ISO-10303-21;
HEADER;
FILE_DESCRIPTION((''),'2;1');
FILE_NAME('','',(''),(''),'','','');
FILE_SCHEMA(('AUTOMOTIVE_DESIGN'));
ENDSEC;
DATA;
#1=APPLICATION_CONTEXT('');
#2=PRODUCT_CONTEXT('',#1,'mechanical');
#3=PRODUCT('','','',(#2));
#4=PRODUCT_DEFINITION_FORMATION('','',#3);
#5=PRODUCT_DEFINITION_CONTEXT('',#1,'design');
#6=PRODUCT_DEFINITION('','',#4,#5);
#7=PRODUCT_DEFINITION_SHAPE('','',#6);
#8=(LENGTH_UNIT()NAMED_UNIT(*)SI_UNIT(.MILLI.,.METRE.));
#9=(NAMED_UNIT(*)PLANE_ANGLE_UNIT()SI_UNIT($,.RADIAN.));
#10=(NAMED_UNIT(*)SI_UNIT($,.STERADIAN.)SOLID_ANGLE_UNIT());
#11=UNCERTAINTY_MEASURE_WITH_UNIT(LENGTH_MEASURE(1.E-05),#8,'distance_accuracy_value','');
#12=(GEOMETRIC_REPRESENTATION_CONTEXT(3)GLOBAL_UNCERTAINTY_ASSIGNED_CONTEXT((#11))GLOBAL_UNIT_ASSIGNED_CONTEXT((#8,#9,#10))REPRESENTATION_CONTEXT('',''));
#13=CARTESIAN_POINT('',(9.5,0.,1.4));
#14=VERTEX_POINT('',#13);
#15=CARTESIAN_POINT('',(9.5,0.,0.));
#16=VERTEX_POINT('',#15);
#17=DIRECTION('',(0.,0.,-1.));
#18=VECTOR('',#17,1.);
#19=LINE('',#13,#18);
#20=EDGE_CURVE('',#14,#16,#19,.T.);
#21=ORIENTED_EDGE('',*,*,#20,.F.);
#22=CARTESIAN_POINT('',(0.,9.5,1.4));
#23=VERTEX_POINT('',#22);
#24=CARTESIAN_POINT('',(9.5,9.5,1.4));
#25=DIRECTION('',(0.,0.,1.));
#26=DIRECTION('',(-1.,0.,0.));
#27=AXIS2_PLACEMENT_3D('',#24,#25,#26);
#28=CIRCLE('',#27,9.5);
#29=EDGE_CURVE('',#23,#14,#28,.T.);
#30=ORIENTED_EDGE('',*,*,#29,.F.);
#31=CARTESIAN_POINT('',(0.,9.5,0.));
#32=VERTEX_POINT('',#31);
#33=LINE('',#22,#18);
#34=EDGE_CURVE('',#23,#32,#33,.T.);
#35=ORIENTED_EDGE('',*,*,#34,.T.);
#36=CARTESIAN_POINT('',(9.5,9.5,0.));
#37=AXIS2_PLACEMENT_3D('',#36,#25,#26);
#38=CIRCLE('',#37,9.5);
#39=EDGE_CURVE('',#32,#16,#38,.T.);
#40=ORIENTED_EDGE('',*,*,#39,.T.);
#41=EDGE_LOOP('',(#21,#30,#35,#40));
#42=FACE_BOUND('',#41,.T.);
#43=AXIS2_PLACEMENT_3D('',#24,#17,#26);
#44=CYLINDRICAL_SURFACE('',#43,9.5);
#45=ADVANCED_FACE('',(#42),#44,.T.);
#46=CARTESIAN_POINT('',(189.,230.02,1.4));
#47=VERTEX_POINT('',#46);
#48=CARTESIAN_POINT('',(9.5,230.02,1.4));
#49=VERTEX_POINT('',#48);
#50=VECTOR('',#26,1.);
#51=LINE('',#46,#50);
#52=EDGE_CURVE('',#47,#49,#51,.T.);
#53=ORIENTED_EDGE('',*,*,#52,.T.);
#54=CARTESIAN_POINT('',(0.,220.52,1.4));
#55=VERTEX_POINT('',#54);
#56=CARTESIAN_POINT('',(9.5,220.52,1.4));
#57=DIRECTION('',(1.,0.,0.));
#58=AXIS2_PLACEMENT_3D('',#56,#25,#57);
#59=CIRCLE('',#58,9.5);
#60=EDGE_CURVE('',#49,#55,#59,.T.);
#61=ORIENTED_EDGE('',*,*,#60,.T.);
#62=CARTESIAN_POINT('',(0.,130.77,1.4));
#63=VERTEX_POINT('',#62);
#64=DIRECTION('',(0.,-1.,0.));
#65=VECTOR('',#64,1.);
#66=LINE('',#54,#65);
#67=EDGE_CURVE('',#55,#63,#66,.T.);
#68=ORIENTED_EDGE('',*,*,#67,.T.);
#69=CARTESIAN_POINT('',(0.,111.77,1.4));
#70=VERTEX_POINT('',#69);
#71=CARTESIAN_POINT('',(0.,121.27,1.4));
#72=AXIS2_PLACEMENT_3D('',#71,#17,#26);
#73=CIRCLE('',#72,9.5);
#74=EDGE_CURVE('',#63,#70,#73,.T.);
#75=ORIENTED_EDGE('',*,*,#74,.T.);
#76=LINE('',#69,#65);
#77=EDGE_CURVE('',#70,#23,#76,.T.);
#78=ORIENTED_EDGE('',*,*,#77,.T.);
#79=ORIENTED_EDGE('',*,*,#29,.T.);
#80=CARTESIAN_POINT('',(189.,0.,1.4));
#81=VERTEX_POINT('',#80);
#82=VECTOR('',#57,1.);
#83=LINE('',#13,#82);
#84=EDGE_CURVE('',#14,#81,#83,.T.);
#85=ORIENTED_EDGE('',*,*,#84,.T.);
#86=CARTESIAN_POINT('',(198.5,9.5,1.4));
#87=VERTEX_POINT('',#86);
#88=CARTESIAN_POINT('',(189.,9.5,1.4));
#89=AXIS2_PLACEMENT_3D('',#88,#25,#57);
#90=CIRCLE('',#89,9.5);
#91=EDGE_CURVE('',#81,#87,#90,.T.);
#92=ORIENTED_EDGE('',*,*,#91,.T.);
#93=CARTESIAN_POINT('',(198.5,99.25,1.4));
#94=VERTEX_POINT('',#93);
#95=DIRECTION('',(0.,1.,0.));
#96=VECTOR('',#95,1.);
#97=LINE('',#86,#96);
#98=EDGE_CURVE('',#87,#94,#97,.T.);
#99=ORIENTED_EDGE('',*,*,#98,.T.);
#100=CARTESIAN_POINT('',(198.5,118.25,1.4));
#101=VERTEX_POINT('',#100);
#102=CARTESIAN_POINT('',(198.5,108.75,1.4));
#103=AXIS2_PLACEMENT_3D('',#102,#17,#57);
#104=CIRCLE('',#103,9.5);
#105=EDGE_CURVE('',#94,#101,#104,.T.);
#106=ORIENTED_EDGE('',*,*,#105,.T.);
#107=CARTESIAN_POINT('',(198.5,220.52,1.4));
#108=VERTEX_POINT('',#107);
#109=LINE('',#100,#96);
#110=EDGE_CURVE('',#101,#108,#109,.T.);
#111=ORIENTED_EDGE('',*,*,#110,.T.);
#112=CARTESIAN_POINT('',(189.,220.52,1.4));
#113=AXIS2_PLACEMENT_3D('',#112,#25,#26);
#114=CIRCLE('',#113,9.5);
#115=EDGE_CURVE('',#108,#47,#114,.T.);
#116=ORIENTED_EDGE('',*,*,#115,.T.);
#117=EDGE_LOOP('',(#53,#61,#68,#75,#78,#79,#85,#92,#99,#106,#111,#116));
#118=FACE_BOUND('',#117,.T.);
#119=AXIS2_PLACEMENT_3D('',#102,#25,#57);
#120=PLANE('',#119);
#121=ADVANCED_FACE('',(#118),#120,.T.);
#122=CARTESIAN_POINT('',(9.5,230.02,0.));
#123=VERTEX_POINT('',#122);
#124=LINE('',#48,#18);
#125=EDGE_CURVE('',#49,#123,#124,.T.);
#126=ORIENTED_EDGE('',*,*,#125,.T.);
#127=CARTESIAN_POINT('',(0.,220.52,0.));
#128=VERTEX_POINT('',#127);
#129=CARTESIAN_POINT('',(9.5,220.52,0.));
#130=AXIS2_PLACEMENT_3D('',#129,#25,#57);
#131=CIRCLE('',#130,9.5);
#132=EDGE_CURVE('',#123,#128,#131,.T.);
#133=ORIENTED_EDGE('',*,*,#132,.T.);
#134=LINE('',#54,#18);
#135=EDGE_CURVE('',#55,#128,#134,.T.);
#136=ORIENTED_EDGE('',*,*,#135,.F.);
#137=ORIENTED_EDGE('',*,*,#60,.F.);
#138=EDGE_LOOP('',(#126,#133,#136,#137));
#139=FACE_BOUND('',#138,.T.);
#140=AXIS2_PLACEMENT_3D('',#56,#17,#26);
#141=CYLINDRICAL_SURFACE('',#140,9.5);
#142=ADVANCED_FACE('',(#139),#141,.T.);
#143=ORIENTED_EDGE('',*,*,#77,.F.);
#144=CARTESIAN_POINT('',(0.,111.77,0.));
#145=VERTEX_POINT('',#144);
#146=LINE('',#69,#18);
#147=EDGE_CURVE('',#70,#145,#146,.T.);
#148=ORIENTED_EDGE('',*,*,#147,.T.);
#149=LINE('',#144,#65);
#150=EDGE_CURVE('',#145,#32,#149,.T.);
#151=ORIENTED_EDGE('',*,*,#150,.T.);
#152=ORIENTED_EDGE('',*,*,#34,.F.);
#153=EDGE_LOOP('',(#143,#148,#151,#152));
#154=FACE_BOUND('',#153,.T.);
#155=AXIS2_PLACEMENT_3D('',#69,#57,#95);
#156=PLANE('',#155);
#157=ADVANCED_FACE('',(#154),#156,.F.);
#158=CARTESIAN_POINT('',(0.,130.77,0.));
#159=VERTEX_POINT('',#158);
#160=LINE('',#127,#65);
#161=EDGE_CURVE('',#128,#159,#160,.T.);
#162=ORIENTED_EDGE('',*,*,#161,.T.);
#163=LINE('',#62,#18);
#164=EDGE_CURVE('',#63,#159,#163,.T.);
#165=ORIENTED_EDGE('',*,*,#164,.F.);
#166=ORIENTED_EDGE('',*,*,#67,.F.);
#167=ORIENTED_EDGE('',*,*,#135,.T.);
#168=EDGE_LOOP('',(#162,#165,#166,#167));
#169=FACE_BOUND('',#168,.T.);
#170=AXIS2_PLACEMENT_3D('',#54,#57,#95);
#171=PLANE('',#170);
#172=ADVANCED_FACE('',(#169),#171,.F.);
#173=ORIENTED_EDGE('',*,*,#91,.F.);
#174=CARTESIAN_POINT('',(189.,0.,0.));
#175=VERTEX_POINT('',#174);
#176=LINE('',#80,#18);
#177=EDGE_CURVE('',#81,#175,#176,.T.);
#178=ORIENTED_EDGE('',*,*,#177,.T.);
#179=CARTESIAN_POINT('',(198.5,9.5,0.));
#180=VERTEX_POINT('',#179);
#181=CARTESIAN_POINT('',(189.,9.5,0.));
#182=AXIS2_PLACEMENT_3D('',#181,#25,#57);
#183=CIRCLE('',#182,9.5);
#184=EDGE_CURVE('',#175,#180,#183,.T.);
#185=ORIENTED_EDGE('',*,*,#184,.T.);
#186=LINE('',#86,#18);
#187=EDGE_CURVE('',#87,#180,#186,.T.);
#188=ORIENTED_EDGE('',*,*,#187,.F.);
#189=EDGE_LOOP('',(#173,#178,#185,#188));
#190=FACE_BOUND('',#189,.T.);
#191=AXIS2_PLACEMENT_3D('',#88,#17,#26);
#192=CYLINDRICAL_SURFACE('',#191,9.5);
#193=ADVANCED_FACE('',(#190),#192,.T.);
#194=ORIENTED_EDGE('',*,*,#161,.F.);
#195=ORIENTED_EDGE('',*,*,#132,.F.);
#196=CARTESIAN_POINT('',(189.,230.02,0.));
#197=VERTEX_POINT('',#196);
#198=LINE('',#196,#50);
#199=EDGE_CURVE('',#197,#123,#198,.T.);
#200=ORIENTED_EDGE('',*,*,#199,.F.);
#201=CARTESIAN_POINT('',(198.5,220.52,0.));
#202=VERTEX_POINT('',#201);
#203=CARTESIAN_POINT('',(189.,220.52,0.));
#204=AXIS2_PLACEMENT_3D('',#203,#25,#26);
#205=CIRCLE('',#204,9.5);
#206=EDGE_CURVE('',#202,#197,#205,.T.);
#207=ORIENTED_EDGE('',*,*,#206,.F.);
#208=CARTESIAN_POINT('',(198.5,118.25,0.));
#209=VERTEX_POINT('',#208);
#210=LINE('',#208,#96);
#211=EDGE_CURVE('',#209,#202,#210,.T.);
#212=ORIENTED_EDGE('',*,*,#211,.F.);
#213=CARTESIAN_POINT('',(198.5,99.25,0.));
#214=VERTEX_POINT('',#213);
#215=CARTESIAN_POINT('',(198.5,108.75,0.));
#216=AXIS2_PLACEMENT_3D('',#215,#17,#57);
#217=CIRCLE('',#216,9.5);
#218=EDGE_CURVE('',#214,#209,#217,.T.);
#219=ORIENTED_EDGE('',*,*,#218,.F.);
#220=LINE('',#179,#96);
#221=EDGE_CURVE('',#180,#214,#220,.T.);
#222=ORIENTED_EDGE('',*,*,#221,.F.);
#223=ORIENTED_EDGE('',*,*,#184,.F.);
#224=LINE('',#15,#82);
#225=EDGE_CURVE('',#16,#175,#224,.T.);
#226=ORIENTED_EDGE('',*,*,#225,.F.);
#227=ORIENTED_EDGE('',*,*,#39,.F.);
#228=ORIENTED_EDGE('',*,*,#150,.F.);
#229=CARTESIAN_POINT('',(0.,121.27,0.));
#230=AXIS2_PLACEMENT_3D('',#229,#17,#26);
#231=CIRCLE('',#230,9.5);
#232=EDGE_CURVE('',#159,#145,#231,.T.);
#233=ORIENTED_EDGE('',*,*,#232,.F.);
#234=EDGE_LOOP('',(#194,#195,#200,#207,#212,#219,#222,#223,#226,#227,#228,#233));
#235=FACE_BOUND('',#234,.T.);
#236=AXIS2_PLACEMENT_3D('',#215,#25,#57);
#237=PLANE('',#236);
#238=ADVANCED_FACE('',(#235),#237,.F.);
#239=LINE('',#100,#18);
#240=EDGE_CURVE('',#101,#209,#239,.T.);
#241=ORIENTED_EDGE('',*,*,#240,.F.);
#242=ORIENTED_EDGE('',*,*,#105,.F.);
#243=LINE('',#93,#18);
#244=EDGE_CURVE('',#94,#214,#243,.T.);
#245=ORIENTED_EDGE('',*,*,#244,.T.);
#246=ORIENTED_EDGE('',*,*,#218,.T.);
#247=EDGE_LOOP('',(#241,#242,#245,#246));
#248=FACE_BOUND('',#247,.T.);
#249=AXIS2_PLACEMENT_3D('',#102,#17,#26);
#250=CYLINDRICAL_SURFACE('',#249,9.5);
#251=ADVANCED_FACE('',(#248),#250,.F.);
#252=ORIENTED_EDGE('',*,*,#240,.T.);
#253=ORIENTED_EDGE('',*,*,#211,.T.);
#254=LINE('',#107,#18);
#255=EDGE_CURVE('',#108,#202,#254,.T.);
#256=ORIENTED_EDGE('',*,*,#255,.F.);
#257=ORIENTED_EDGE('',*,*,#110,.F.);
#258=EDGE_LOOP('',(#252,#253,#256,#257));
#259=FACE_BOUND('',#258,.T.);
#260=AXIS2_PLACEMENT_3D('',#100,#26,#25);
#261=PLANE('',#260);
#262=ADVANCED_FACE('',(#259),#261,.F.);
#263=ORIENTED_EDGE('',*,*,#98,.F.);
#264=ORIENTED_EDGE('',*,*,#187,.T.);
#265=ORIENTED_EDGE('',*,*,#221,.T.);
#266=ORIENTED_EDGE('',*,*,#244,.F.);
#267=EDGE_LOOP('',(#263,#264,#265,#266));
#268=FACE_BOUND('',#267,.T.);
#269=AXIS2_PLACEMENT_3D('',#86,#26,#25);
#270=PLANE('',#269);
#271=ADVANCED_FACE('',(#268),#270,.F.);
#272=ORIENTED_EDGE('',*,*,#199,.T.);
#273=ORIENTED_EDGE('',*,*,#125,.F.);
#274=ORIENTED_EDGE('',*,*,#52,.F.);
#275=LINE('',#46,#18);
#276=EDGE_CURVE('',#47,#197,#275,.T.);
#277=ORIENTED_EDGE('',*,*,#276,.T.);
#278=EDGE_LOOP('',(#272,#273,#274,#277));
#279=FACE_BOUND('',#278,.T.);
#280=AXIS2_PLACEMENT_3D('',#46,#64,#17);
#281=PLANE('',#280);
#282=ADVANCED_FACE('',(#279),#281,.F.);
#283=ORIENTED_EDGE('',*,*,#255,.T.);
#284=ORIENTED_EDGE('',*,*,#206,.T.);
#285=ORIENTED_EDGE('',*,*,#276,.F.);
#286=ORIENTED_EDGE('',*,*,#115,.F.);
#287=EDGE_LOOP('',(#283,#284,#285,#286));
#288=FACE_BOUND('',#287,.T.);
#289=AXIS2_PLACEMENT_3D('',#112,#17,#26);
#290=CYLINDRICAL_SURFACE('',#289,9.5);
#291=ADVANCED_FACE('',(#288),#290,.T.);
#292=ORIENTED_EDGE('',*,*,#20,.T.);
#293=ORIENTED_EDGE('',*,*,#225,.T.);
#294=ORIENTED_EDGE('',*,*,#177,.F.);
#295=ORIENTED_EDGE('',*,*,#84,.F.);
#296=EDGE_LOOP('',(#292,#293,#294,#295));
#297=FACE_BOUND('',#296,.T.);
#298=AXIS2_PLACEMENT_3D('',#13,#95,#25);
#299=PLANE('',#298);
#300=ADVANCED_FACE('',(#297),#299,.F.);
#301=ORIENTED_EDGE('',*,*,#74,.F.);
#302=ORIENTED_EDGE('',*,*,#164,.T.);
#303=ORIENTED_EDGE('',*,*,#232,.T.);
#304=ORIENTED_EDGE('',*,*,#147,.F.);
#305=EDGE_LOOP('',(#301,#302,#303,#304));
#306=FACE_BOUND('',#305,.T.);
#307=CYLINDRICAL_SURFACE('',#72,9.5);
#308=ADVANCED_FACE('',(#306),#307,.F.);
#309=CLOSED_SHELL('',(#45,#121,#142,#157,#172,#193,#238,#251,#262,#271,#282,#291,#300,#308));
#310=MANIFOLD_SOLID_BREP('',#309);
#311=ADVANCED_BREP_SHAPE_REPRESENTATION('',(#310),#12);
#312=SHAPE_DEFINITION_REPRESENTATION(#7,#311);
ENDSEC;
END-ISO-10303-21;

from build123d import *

# Parameters (mm, degrees)
BOSS_EXTRUDE1_DEPTH = 1.4


with BuildPart() as part:
    # Sketch2 → Boss-Extrude1 (new body)
    with BuildSketch(Plane.XY):
        with BuildLine():
            Line((9.5, 0), (189, 0))
            ThreePointArc((189, 0), (195.717514421, 2.782485579), (198.5, 9.5))
            Line((198.5, 9.5), (198.5, 99.25))
            ThreePointArc((198.5, 99.25), (189, 108.75), (198.5, 118.25))
            Line((198.5, 118.25), (198.5, 220.52))
            ThreePointArc((198.5, 220.52), (195.717514421, 227.237514421), (189, 230.02))
            Line((189, 230.02), (9.5, 230.02))
            ThreePointArc((9.5, 230.02), (2.782485579, 227.237514421), (0, 220.52))
            Line((0, 220.52), (0, 130.77))
            ThreePointArc((0, 130.77), (9.5, 121.27), (0, 111.77))
            Line((0, 111.77), (0, 9.5))
            ThreePointArc((0, 9.5), (2.782485579, 2.782485579), (9.5, 0))
        make_face()
    extrude(amount=BOSS_EXTRUDE1_DEPTH)


solid = part.part
